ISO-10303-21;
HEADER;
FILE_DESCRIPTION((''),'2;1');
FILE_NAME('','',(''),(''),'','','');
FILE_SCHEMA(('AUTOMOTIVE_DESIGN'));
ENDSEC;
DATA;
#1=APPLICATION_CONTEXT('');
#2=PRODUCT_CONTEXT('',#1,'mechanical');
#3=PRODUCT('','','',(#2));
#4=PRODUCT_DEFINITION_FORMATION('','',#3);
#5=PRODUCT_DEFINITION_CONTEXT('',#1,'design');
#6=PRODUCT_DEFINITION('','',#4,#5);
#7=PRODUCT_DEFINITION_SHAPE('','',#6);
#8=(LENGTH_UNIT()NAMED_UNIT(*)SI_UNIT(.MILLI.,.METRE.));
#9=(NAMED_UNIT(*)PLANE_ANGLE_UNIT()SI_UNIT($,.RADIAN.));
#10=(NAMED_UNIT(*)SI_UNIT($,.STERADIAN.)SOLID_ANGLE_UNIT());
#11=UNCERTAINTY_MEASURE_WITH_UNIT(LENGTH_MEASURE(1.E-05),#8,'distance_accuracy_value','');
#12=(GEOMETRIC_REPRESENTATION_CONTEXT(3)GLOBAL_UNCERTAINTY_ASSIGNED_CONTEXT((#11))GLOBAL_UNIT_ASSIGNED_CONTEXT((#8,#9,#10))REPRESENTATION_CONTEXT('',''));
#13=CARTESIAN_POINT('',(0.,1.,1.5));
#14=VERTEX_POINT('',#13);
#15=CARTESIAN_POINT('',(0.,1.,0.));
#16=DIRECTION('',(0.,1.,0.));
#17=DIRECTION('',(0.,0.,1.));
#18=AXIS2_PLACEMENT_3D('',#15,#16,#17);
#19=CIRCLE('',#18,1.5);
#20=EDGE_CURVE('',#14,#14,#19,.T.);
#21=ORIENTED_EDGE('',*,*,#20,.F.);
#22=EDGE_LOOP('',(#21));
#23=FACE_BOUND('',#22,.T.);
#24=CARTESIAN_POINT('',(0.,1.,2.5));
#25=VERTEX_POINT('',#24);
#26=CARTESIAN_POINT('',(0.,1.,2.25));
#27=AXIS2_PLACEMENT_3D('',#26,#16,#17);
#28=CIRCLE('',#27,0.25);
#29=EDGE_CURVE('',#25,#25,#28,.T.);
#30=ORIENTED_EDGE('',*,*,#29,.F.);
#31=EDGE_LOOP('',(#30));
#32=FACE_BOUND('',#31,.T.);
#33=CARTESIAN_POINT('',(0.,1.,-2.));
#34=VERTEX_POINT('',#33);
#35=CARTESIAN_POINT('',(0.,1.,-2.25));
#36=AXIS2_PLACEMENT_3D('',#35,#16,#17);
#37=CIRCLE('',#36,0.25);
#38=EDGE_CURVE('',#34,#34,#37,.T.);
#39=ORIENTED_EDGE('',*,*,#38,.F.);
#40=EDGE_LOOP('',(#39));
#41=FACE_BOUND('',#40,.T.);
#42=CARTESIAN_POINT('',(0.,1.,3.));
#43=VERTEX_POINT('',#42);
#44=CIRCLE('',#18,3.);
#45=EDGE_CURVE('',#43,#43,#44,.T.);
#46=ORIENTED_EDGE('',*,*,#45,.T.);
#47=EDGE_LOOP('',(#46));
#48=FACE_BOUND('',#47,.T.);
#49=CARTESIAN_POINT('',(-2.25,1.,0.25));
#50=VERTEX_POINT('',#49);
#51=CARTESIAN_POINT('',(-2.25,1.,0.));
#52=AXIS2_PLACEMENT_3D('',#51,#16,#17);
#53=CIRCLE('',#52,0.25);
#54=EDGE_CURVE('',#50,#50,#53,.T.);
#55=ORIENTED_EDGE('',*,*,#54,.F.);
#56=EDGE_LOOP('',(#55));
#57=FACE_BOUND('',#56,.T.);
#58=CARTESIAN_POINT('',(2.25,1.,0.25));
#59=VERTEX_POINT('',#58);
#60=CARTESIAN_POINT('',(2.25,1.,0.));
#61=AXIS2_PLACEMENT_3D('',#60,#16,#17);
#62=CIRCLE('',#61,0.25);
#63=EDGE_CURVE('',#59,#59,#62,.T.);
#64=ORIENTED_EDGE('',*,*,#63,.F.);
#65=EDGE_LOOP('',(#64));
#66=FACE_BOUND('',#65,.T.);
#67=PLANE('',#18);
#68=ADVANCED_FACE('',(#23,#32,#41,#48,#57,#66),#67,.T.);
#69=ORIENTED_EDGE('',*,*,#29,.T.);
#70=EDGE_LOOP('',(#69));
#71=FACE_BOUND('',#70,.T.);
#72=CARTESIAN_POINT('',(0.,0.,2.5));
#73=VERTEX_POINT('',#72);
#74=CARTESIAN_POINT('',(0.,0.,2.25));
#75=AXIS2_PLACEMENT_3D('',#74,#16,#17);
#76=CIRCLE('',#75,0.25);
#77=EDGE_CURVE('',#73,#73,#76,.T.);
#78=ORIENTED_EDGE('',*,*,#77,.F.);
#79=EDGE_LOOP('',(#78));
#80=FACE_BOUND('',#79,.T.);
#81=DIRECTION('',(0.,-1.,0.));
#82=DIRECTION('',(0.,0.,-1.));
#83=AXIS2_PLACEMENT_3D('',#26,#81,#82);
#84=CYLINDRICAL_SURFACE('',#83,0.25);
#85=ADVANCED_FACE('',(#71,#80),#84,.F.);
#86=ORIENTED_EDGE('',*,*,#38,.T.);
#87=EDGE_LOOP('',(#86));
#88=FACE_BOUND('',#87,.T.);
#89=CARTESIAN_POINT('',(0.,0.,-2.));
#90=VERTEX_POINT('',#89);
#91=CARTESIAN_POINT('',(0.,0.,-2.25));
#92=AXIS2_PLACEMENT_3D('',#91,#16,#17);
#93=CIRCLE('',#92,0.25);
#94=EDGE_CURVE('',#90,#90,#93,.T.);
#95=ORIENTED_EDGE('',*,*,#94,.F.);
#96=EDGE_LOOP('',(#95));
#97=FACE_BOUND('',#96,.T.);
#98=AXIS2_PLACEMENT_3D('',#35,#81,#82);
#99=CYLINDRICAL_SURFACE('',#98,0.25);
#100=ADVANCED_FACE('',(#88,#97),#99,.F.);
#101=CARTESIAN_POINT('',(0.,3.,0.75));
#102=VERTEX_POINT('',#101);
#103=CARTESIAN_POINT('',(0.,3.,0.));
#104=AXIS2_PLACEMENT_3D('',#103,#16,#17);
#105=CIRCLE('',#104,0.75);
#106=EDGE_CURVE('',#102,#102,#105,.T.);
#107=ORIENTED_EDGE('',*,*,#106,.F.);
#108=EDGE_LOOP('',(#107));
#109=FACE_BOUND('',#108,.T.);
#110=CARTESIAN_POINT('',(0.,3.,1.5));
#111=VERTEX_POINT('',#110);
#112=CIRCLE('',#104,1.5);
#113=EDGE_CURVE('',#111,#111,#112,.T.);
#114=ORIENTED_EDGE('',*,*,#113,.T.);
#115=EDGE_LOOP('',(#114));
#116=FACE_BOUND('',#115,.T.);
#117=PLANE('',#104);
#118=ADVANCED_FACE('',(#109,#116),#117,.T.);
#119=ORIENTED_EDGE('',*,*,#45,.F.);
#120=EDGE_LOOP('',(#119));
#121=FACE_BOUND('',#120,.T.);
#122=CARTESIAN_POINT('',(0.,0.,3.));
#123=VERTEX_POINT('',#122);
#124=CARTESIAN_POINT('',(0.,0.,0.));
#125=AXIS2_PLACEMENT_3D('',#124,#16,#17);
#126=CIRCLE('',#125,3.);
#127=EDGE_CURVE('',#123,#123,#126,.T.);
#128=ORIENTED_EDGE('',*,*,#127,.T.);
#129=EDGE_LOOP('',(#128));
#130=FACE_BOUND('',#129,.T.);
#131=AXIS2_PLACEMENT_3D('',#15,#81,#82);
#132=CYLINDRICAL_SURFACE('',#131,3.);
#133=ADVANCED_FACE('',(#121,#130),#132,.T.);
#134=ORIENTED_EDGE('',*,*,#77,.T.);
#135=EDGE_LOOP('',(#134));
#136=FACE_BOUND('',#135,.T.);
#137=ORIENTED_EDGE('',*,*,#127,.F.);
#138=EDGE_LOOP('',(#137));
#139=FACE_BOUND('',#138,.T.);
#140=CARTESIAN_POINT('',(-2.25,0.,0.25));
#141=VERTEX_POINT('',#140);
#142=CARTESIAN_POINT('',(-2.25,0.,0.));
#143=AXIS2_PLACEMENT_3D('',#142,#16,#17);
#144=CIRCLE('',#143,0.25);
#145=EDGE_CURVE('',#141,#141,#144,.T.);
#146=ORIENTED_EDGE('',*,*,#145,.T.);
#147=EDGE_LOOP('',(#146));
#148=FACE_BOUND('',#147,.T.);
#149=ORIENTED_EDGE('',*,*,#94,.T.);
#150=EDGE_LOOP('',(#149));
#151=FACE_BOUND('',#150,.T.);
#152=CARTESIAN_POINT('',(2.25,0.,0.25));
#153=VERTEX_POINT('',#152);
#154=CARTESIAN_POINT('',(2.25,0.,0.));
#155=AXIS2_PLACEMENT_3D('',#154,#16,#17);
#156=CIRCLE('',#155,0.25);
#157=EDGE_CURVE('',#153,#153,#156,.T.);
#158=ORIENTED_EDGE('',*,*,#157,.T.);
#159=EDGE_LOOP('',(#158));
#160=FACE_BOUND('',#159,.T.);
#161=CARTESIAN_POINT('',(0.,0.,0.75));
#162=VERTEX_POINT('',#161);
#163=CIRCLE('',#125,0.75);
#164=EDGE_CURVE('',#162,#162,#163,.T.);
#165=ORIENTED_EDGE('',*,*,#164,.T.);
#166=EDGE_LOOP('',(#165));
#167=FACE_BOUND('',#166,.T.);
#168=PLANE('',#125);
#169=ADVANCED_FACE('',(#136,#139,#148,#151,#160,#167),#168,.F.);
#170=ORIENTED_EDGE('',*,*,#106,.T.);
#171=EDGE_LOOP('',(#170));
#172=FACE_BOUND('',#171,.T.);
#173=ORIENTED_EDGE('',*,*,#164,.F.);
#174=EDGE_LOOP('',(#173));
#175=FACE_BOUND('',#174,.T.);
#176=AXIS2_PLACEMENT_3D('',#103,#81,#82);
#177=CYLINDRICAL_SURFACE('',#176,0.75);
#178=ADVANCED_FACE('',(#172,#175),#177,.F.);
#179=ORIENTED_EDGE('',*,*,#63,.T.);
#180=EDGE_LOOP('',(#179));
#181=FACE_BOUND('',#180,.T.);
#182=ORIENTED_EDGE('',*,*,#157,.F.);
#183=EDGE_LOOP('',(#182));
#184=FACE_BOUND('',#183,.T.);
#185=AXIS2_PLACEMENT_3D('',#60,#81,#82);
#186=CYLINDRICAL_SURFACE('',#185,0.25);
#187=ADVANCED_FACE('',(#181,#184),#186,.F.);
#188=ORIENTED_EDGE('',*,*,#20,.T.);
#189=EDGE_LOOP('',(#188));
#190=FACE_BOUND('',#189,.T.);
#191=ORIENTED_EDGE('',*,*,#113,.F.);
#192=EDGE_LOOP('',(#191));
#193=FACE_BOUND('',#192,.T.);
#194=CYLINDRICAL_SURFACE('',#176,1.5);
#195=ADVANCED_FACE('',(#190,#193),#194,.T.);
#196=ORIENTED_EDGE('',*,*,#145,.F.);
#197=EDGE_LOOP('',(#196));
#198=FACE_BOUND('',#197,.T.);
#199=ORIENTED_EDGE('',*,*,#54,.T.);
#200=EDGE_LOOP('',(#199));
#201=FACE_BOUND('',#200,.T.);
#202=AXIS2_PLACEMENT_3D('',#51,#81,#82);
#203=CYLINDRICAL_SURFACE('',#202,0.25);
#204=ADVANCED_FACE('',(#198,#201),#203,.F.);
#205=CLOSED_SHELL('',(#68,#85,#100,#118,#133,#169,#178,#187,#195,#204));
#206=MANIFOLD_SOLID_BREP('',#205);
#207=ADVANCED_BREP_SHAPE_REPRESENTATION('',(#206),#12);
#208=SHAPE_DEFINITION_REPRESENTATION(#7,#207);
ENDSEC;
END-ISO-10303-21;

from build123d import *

# Parameters (mm, degrees)
SKETCH1_R           = 3
SKETCH1_R_2         = 0.25
SKETCH1_R_3         = 1.5
BOSS_EXTRUDE1_DEPTH = 1
SKETCH1_3_R         = 1.5
SKETCH1_3_R_2       = 0.75
BOSS_EXTRUDE2_DEPTH = 3


with BuildPart() as part:
    # Sketch1 → Boss-Extrude1 (new body)
    with BuildSketch(Plane(origin=(0, 0, 0), x_dir=(1, 0, 0), z_dir=(0, 1, 0))):
        Circle(SKETCH1_R)
        with Locations((-2.25, 0)):
            Circle(SKETCH1_R_2, mode=Mode.SUBTRACT)
        with Locations((0, -2.25)):
            Circle(SKETCH1_R_2, mode=Mode.SUBTRACT)
        with Locations((2.25, 0)):
            Circle(SKETCH1_R_2, mode=Mode.SUBTRACT)
        with Locations((0, 2.25)):
            Circle(SKETCH1_R_2, mode=Mode.SUBTRACT)
        Circle(SKETCH1_R_3, mode=Mode.SUBTRACT)
    extrude(amount=BOSS_EXTRUDE1_DEPTH)

    # Sketch1<3> → Boss-Extrude2 (add)
    with BuildSketch(Plane(origin=(0, 0, 0), x_dir=(1, 0, 0), z_dir=(0, 1, 0))):
        Circle(SKETCH1_3_R)
        Circle(SKETCH1_3_R_2, mode=Mode.SUBTRACT)
    extrude(amount=BOSS_EXTRUDE2_DEPTH)


solid = part.part
